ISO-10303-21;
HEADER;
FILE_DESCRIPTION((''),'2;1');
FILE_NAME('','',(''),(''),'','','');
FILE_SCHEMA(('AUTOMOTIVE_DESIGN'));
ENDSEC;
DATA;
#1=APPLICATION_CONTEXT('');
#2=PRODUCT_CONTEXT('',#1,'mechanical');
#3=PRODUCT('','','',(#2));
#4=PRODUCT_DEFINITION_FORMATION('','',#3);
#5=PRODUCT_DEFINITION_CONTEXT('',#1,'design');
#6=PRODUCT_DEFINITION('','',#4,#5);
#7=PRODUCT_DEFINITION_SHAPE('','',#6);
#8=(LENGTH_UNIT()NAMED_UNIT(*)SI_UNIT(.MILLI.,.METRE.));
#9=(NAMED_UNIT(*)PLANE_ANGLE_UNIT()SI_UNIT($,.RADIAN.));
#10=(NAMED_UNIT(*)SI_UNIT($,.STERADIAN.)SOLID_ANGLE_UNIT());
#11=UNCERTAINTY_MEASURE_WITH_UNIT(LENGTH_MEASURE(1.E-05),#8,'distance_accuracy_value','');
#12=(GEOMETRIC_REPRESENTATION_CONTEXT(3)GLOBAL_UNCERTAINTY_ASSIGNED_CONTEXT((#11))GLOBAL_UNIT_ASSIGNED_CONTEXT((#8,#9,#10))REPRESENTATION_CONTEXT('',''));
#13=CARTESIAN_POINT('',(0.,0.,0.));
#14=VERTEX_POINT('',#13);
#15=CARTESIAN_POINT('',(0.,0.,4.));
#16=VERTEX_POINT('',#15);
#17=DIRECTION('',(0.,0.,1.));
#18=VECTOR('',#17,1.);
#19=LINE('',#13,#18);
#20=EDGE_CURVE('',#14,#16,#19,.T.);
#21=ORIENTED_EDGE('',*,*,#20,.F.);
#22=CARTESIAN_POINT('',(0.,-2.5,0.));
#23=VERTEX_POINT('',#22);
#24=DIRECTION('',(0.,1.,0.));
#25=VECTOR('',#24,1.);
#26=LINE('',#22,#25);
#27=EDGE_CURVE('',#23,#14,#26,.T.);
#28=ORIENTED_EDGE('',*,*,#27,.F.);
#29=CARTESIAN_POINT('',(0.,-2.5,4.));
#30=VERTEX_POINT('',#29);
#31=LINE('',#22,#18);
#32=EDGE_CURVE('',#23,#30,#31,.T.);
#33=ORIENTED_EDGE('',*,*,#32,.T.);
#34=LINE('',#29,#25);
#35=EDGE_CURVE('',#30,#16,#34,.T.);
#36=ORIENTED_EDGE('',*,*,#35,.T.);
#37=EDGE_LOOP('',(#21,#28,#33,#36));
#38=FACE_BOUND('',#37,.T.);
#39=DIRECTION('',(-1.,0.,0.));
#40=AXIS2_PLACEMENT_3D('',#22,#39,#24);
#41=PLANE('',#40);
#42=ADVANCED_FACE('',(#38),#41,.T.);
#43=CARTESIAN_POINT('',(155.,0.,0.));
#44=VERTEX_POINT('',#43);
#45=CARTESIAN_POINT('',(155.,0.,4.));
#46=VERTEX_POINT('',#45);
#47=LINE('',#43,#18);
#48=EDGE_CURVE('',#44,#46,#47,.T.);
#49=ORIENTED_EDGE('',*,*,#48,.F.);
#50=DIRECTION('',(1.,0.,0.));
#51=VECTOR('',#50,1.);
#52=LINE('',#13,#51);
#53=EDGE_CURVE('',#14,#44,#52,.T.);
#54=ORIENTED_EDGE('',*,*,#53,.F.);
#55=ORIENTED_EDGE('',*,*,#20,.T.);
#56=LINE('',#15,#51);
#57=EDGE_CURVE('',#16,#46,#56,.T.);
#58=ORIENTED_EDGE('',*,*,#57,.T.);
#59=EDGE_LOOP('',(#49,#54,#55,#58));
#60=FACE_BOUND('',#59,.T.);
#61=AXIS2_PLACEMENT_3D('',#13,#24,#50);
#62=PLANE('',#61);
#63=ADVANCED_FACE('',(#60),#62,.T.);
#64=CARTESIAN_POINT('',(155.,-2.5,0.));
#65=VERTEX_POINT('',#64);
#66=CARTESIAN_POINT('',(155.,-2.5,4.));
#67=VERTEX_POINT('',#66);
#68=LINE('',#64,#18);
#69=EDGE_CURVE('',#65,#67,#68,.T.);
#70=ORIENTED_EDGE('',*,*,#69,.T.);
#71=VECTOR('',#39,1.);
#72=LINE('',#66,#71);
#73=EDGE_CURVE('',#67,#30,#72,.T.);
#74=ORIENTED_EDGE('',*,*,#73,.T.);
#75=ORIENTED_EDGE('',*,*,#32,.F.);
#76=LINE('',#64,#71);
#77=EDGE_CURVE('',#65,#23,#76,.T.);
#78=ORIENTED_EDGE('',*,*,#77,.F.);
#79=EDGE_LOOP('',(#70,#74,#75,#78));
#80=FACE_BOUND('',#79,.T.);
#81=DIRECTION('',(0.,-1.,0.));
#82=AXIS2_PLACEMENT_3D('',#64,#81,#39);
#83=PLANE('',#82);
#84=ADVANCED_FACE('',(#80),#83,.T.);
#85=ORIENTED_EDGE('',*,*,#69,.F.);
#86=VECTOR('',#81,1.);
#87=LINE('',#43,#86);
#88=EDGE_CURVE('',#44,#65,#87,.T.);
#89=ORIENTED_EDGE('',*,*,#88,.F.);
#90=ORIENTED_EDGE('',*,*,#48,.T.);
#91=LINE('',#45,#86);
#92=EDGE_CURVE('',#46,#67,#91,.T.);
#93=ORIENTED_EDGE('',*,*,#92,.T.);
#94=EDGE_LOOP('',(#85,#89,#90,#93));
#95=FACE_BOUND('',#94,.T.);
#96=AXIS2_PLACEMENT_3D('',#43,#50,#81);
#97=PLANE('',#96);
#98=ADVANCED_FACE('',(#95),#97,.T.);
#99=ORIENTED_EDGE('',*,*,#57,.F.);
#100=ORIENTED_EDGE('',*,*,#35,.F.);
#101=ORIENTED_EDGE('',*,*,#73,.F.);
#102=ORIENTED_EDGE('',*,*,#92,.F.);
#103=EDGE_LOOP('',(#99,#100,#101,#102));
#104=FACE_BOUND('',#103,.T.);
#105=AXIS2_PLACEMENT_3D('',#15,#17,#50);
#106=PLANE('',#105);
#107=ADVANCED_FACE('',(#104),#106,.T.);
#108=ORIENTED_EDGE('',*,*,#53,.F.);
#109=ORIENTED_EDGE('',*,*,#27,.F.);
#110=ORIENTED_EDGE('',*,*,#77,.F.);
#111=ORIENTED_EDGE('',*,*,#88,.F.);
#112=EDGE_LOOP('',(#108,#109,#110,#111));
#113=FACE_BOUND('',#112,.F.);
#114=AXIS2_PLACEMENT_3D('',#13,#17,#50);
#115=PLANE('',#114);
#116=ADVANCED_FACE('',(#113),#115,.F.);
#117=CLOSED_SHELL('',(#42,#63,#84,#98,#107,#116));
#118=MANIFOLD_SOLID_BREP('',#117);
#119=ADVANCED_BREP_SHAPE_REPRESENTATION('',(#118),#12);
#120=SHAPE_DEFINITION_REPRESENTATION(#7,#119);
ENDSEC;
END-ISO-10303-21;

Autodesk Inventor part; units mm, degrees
ref_plane "YZ Plane" through (0, 0, 0) normal (1, 0, 0) x (0, 1, 0)
ref_plane "XZ Plane" through (0, 0, 0) normal (0, 1, 0) x (-1, 0, 0)
ref_plane "XY Plane" through (0, 0, 0) normal (0, 0, 1) x (1, 0, 0)
sketch "Sketch1" plane through (0, 0, 0) normal (0, 0, 1) x (1, 0, 0)
  line L0 (0, 0) -> (155, 0)
  line L1 (155, 0) -> (155, -2.5)
  line L2 (155, -2.5) -> (0, -2.5)
  line L3 (0, -2.5) -> (0, 0)
  dimension "d0" = 2.5
  dimension "d1" = 155
extrude "Extrusion1" add sketch "Sketch1" along normal blind 4
properties part number "Rail 4x150"
